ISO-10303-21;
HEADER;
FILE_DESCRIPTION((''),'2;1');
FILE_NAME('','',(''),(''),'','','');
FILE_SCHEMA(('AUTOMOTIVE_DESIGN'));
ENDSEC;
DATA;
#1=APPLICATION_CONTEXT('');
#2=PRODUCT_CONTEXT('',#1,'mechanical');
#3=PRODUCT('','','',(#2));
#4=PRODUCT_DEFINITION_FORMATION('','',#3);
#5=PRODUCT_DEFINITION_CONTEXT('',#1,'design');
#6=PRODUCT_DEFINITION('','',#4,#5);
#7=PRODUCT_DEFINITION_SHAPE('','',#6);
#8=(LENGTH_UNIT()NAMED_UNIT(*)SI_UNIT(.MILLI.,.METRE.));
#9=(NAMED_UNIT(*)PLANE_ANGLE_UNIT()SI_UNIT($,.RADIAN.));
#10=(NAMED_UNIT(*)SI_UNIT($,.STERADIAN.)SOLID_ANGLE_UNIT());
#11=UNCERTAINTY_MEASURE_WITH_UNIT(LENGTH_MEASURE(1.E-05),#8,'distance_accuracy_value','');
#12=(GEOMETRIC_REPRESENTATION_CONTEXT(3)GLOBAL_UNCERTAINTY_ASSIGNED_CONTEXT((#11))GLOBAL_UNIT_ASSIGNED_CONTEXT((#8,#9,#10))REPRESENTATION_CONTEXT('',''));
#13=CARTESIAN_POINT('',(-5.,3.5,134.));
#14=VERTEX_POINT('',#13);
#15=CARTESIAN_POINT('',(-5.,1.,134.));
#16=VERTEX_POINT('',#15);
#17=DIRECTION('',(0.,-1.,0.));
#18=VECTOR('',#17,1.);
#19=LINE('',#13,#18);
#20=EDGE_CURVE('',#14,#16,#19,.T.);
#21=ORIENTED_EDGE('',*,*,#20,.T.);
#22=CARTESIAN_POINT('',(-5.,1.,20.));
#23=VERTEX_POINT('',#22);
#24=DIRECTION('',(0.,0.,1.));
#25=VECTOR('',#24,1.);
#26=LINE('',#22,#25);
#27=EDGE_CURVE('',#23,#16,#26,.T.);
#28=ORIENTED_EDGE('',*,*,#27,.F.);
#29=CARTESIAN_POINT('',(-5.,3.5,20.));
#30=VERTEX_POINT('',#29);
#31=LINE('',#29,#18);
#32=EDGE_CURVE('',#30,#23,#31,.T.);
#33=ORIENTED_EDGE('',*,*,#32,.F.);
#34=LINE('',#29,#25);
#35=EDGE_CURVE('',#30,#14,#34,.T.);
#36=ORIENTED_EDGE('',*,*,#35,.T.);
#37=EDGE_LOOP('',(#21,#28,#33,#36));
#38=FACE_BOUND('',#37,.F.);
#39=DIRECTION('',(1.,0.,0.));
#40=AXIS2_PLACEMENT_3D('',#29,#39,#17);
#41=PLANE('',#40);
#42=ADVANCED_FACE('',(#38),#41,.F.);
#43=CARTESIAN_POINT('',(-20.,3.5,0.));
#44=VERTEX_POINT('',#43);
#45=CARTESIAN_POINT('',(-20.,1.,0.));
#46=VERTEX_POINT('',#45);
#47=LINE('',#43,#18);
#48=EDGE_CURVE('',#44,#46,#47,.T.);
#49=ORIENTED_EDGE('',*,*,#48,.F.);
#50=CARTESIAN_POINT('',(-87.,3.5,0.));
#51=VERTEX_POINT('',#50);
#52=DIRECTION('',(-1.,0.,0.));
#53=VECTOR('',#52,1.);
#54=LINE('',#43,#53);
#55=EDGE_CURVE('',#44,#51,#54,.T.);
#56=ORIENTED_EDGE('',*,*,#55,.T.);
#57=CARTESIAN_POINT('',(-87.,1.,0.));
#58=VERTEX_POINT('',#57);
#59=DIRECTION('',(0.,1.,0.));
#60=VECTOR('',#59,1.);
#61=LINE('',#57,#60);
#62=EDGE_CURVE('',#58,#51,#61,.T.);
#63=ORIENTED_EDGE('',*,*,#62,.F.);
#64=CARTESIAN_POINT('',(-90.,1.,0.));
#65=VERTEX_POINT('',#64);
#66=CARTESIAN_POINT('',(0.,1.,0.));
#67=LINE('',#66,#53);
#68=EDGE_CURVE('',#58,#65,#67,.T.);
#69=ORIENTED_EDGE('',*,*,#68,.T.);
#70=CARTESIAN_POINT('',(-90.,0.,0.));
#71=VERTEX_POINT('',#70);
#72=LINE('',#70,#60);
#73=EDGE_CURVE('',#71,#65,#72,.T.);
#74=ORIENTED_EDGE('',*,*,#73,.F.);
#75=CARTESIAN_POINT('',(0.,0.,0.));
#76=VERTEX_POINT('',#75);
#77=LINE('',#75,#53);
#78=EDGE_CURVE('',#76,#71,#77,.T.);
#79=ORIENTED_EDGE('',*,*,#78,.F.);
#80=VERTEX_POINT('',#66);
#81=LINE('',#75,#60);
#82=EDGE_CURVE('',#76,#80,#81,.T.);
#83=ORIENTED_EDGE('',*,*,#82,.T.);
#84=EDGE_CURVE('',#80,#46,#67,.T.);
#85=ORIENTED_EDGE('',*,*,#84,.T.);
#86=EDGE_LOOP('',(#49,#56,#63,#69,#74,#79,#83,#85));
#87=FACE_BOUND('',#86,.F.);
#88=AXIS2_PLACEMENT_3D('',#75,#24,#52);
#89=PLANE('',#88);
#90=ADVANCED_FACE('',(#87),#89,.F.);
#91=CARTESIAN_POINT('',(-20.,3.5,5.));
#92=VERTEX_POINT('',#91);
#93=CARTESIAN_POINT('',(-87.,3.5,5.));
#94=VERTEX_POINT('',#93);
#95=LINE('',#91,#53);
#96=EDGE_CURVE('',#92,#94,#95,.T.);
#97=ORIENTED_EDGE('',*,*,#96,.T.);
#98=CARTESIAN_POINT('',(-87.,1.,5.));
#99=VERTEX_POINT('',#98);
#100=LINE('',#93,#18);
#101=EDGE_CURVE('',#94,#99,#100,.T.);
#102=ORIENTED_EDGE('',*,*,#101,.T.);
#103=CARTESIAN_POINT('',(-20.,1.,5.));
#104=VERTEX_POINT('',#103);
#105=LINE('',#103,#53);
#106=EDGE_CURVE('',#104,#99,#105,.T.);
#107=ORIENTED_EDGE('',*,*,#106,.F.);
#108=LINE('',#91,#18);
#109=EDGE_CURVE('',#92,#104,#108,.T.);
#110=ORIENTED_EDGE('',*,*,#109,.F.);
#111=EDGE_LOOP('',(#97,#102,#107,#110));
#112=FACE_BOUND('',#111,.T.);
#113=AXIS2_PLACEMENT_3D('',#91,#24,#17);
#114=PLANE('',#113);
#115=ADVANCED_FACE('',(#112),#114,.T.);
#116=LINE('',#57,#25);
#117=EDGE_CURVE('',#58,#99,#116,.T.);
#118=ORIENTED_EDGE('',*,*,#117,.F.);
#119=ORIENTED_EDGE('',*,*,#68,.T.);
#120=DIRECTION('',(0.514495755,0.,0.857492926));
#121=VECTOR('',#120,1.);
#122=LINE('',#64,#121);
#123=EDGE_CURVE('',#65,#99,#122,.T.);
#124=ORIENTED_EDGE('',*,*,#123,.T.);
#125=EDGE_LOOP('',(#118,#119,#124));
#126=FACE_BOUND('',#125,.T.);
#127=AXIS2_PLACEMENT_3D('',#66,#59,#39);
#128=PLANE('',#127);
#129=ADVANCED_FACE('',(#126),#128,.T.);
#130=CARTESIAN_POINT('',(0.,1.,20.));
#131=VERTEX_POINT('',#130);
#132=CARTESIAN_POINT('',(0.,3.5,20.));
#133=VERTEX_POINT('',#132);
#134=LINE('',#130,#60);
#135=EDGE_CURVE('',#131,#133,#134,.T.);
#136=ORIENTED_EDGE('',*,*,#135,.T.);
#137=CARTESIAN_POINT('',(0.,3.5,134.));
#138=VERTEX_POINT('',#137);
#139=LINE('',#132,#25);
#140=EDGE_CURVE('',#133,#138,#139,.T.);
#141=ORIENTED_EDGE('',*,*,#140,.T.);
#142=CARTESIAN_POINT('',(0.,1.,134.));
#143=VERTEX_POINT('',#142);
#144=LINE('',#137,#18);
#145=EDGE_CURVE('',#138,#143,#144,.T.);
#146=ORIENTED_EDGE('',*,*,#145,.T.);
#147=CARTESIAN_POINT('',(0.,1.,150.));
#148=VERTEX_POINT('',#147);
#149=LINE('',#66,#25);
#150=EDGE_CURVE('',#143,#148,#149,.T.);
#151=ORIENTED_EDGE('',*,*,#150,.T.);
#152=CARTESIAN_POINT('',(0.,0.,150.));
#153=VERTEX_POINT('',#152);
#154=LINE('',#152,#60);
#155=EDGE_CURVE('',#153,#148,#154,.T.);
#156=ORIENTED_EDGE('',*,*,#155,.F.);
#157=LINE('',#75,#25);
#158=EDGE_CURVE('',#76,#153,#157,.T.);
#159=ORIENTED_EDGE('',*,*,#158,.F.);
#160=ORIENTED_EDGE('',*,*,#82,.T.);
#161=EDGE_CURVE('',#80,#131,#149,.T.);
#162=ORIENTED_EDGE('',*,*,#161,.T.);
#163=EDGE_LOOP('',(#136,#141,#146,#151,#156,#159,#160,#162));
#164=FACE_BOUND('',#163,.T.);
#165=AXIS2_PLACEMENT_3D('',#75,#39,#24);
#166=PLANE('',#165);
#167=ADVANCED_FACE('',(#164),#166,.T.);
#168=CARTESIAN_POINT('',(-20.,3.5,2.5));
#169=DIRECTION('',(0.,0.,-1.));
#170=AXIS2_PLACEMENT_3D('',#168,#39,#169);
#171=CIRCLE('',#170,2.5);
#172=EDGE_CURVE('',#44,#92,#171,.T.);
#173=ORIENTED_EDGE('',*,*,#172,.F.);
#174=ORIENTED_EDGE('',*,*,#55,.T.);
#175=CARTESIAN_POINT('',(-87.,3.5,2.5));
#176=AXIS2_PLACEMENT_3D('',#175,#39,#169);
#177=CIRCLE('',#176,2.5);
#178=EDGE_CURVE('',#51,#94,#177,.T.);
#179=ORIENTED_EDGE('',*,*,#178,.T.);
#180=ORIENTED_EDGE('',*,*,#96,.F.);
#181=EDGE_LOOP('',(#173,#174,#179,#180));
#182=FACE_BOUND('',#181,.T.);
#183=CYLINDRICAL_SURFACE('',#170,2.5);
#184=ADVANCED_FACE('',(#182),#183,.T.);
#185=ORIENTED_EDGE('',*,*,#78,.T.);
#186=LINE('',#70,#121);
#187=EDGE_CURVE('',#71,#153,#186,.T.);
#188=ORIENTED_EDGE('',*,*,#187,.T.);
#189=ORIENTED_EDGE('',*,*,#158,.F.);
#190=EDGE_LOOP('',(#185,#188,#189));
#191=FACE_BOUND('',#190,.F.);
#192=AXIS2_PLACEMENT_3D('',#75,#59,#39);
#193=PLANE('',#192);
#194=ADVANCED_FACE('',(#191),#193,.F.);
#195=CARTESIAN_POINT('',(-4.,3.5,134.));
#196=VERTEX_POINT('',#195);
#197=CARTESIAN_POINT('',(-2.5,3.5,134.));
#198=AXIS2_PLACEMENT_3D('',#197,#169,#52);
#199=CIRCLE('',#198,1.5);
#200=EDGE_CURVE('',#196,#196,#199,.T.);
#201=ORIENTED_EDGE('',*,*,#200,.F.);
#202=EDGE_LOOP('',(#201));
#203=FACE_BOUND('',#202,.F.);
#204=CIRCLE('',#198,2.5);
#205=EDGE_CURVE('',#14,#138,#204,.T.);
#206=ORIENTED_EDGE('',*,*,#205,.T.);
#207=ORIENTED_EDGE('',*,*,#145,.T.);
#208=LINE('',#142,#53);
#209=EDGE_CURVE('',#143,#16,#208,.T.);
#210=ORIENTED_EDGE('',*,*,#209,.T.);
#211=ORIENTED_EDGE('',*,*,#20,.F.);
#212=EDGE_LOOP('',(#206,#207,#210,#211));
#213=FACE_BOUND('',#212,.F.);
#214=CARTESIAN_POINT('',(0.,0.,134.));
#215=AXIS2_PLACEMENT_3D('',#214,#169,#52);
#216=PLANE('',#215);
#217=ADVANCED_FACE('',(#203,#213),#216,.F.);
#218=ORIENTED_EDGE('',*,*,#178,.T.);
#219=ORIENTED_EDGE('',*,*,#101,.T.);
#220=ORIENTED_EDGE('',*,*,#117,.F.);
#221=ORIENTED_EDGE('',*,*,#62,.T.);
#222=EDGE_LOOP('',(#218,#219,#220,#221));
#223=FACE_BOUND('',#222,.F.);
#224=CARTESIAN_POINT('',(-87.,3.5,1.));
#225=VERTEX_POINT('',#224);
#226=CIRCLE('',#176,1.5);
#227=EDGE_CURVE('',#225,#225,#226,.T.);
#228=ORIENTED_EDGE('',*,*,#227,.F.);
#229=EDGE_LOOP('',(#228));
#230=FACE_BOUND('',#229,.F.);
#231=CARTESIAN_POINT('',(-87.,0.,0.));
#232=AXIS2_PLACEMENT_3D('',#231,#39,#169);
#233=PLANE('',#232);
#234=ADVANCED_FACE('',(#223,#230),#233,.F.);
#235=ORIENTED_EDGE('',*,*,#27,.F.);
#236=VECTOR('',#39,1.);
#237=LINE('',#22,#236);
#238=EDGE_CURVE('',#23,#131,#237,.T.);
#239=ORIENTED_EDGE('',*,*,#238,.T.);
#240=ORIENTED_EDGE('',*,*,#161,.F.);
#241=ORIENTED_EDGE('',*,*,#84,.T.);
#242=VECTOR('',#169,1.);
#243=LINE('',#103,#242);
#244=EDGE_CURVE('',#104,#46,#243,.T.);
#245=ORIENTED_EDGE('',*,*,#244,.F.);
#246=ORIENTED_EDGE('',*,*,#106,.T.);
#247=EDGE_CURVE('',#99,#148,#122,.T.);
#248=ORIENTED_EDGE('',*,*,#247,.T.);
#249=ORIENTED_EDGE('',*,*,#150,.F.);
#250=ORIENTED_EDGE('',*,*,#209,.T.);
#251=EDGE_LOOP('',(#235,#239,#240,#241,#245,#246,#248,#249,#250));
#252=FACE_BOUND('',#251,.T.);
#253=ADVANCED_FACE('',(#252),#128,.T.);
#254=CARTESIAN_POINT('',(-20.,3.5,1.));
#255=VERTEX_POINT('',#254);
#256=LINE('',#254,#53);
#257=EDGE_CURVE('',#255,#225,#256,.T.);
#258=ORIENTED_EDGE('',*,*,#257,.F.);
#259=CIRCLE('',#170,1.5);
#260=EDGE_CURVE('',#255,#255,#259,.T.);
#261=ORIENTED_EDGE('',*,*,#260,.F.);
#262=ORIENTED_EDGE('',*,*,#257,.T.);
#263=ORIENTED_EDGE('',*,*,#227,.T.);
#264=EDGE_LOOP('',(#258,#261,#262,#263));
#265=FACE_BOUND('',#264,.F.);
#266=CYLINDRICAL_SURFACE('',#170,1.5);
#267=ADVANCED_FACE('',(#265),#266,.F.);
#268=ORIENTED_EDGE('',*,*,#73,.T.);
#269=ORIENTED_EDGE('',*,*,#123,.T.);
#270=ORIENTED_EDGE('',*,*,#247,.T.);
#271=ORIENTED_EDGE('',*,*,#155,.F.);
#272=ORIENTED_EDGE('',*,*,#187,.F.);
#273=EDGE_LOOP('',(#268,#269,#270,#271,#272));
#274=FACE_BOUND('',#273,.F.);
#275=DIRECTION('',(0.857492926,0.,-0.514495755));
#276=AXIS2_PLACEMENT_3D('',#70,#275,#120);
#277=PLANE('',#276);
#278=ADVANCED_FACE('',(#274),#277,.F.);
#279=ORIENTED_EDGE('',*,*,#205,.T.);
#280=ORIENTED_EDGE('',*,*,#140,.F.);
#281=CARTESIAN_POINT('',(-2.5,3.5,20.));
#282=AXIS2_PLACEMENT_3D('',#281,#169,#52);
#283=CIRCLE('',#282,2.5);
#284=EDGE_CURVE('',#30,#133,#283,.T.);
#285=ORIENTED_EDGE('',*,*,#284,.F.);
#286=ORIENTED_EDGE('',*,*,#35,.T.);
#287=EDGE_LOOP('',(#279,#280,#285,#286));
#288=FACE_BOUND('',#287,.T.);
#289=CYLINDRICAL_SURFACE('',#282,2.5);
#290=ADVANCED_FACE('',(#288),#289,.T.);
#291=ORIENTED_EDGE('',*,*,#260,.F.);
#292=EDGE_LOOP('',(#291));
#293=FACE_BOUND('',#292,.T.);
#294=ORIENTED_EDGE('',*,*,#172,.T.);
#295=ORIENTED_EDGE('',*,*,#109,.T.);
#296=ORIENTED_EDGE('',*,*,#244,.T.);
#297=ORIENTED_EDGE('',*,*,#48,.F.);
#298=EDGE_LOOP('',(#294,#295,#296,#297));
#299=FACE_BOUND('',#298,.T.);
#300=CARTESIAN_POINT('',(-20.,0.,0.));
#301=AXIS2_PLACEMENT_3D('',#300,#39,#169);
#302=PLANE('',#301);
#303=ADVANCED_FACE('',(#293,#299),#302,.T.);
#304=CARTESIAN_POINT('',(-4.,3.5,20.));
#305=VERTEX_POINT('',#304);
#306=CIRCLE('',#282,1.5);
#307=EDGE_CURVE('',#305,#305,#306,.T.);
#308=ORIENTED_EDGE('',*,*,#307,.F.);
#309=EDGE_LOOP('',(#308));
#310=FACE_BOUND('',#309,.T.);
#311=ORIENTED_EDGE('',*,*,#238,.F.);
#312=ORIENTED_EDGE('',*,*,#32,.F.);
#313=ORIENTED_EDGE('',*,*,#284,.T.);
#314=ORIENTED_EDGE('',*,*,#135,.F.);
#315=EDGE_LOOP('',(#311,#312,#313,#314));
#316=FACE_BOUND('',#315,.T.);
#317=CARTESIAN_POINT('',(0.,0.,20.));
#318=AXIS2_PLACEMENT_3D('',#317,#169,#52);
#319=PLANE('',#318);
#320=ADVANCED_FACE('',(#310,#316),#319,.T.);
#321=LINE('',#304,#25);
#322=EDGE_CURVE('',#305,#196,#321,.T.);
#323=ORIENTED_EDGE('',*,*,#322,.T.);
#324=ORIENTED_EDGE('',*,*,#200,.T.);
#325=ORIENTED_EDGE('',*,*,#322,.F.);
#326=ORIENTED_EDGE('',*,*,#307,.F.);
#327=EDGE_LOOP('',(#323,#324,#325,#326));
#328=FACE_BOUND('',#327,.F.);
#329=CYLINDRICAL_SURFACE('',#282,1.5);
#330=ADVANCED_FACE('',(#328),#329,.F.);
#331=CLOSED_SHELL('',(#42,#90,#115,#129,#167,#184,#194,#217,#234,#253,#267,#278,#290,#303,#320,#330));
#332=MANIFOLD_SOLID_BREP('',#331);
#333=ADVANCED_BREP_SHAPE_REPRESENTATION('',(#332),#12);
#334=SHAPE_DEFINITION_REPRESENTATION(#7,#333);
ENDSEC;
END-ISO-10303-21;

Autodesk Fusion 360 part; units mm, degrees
sketch "スケッチ1" plane through (0, 0, 0) normal (0, 1, 0) x (1, 0, 0)
  line L0 (0, 0) -> (0, -150)
  line L1 (0, 0) -> (-90, 0)
  line L2 (-90, 0) -> (0, -150)
  dimension "d1" = 150
  dimension "d2" = 90
extrude "押し出し1" add sketch "スケッチ1" along normal blind 1
ref_plane "作業平面1" through (-45, 0.5, 20) normal (0, 0, -1) x (-1, 0, 0)
sketch "スケッチ2" plane through (0, 0, 20) normal (0, 0, -1) x (-1, 0, 0)
  circle A0 centre (2.5, 3.5) radius 1.5
  line L0 (0, 1) -> (90, 1)
  line L1 (0, 1.75) -> (0, 22.5)
  circle A1 centre (2.5, 3.5) radius 2.5
  line L2 (5, 3.5) -> (5, 1)
  line L3 (0, 3.5) -> (0, 1)
  dimension "d6" = 3
  dimension "d7" = 1
extrude "押し出し2" add sketch "スケッチ2" against normal blind 114
ref_plane "作業平面2" through (-20, 1.75, 75) normal (1, 0, 0) x (0, 0, -1)
sketch "スケッチ3" plane through (-20, 0, 0) normal (1, 0, 0) x (0, 0, -1)
  circle A0 centre (-2.5, 3.5) radius 1.5
  circle A1 centre (-2.5, 3.5) radius 2.5
  line L0 (-20, 1) -> (0, 1)
  line L1 (0, 1.75) -> (0, 22.5)
  line L2 (0, 3.5) -> (0, 1)
  line L3 (-5, 3.5) -> (-5, 1)
  dimension "d11" = 3
  dimension "d12" = 1
extrude "押し出し3" add sketch "スケッチ3" against normal blind 67
